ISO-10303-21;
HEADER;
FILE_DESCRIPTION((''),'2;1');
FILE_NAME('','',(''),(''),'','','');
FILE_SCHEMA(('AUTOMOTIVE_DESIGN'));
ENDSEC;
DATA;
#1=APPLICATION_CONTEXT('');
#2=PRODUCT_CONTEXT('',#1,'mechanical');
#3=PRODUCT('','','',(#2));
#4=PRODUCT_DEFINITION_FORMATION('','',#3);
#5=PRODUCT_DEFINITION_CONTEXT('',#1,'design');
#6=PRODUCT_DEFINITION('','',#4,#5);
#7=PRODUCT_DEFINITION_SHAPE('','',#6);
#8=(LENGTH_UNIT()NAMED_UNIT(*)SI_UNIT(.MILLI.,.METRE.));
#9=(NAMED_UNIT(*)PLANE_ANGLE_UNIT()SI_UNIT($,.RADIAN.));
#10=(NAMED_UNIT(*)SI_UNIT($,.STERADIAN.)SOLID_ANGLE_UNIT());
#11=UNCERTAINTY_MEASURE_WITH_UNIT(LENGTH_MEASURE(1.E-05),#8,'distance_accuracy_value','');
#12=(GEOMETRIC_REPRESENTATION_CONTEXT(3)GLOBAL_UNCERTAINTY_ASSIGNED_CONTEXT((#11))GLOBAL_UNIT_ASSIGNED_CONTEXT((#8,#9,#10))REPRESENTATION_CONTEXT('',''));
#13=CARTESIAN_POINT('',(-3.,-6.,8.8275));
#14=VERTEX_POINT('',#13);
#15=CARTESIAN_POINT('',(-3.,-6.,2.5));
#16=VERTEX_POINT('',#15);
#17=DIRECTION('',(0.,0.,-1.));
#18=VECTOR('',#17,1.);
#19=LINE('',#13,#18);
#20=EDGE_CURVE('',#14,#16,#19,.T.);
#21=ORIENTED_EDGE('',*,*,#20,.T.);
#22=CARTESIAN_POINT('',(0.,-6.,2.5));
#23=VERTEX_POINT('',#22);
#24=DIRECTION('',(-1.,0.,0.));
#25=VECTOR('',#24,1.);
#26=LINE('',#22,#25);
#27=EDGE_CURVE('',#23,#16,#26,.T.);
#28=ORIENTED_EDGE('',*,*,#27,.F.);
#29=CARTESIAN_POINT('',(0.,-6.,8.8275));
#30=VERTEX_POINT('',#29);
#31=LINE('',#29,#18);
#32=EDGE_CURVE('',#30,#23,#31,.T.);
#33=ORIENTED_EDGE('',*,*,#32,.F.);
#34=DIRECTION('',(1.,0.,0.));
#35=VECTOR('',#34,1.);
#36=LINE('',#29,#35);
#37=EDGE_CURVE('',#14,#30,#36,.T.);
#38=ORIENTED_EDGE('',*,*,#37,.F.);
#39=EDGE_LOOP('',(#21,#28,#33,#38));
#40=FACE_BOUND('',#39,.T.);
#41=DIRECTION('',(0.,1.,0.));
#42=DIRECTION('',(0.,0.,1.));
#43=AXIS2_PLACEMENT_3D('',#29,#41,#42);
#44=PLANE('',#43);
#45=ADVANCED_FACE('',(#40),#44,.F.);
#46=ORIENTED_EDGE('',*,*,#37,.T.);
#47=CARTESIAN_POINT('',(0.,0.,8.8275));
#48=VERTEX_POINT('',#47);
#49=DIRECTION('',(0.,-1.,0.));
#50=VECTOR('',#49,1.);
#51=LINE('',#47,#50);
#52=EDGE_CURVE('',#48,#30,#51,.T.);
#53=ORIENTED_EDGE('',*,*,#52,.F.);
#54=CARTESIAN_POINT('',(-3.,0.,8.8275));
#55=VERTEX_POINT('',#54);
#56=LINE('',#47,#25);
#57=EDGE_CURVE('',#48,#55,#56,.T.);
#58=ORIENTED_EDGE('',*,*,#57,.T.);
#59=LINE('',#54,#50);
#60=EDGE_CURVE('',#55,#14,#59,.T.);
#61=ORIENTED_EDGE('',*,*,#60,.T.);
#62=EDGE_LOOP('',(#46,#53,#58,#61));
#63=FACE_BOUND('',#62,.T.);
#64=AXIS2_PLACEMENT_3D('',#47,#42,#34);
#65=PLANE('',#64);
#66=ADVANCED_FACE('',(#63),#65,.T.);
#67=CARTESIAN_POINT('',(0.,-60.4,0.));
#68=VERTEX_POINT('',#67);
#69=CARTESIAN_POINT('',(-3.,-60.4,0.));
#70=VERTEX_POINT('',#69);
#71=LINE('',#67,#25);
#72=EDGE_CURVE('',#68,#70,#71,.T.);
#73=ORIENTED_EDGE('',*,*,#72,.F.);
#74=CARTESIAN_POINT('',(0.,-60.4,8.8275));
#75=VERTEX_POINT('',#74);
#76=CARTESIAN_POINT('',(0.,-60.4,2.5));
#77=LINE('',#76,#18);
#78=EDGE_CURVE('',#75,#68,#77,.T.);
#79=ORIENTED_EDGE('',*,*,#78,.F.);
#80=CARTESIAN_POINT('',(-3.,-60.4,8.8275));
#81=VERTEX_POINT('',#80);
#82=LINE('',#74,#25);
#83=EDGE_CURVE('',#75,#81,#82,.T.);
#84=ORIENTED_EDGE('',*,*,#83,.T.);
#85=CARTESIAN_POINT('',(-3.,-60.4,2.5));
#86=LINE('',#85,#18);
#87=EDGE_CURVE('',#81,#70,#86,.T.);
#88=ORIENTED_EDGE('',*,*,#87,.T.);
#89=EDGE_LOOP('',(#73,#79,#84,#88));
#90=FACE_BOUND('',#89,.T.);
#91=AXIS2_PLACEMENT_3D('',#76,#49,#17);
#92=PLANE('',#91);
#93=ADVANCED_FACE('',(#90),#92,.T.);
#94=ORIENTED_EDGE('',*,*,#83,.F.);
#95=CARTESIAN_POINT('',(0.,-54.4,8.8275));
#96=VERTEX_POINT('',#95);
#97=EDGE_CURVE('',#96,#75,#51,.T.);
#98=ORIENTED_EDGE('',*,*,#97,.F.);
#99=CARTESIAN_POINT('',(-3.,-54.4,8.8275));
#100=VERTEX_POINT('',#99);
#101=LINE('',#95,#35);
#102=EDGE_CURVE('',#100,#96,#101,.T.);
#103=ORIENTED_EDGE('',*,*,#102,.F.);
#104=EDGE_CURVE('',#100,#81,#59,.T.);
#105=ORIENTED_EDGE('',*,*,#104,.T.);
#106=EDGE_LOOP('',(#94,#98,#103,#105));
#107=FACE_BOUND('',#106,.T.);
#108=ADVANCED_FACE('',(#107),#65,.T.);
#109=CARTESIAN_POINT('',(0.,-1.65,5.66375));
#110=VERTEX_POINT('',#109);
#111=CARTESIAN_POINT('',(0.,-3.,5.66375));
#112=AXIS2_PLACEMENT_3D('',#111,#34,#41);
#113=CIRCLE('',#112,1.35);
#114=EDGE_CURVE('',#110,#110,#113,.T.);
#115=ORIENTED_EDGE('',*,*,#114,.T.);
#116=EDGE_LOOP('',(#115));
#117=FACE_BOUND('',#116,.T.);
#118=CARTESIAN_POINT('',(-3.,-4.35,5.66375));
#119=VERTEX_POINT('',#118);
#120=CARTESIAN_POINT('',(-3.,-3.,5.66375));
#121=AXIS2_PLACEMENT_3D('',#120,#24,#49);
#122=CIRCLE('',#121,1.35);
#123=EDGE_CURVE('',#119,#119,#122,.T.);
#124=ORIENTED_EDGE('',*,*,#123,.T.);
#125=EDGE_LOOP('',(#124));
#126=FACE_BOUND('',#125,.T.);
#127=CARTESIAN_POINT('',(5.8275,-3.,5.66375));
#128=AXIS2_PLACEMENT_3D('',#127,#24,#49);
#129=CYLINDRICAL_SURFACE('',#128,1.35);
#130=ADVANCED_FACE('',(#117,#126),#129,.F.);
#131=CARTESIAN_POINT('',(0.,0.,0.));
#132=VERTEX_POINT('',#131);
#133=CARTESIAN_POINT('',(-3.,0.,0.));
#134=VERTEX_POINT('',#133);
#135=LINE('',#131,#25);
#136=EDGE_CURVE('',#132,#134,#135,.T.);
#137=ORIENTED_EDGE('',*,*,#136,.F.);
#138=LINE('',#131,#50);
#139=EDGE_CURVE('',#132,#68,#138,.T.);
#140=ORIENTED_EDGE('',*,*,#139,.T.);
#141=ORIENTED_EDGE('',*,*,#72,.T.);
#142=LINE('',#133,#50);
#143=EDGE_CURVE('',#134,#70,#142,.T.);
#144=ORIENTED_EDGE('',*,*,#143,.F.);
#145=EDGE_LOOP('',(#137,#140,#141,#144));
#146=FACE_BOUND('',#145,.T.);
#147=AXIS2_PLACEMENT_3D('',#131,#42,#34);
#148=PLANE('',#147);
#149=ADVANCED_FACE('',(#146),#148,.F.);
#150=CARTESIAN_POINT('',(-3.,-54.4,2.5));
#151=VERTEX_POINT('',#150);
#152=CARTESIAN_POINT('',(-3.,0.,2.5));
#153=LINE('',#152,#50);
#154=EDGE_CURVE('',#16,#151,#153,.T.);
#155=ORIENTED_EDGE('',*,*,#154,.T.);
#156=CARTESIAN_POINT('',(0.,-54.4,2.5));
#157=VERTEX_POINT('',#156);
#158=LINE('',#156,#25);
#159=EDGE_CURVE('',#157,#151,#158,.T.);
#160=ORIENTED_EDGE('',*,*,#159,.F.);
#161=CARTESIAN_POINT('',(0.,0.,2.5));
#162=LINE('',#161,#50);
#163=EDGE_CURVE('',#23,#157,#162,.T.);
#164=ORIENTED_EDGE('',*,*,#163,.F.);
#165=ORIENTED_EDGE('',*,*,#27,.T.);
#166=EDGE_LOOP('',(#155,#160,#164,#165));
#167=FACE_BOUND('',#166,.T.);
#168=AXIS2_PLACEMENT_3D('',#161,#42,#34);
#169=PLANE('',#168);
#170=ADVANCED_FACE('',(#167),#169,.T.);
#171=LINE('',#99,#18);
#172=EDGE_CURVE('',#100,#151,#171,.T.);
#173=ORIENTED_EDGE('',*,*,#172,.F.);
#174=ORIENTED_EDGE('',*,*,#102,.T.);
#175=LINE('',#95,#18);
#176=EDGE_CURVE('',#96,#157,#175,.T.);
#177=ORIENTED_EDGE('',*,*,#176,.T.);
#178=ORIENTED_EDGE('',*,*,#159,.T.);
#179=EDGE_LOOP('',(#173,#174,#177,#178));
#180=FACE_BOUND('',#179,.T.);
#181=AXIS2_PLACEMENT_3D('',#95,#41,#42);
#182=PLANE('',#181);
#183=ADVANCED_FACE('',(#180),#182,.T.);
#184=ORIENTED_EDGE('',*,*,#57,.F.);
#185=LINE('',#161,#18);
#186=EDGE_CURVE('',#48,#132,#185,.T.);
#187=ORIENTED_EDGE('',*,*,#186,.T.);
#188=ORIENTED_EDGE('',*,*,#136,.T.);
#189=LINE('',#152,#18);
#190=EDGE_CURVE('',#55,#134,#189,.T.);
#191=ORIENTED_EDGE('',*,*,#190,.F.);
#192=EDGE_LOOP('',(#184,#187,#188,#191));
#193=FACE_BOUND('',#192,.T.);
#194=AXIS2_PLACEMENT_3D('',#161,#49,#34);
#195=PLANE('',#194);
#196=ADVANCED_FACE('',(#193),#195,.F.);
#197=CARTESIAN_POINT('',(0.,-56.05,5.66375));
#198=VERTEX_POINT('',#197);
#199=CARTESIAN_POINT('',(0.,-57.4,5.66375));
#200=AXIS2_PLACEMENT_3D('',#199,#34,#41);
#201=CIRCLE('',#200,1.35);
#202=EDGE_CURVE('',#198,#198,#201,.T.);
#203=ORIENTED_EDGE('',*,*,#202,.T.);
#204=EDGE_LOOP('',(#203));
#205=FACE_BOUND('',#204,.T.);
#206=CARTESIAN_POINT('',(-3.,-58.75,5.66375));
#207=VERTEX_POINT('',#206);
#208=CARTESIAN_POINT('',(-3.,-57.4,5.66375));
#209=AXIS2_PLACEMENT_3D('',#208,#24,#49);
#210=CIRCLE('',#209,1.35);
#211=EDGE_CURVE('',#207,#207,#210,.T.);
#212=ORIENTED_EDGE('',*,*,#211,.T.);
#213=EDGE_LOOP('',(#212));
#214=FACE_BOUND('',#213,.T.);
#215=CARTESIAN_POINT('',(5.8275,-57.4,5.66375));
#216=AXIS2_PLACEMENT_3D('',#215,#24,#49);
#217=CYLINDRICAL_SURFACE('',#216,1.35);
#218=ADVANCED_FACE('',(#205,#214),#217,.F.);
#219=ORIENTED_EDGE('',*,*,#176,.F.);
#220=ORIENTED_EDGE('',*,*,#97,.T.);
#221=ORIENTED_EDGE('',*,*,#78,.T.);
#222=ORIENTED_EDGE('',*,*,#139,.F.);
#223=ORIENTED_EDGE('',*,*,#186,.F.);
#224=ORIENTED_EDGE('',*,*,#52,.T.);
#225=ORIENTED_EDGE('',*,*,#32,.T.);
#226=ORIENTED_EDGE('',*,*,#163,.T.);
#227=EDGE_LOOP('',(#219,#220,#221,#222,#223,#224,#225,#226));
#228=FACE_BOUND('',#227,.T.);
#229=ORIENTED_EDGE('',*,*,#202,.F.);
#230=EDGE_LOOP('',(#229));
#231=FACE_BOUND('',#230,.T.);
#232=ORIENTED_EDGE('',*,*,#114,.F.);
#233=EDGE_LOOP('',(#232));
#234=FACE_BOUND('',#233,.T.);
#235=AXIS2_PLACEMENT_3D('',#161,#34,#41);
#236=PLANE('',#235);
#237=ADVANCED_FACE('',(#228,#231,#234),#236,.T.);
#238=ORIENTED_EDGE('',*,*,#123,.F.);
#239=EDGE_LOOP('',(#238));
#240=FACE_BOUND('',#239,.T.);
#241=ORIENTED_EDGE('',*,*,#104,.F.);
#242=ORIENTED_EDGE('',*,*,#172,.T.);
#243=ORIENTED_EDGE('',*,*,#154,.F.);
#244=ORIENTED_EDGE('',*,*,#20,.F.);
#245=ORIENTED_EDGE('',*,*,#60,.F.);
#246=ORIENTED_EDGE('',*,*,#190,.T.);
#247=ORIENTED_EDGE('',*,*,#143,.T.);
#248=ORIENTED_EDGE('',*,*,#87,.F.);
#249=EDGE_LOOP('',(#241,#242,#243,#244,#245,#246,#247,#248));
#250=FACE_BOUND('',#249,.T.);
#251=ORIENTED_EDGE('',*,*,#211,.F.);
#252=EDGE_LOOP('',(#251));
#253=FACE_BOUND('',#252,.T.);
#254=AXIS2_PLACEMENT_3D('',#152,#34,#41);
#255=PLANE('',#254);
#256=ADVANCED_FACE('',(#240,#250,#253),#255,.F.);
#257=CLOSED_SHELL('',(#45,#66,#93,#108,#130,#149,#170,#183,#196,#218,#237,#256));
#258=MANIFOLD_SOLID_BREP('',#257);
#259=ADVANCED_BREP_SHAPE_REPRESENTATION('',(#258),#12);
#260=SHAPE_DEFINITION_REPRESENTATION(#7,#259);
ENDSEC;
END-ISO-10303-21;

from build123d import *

# Parameters (mm, degrees)
SKICA2_W                 = 3
SKICA2_H                 = 60.4
P_IDAT_VYSUNUT_M1_DEPTH  = 2.5
SKICA2_3_W               = 3
SKICA2_3_H               = 6
P_IDAT_VYSUNUT_M2_DEPTH  = 8.8275
SKICA3_R                 = 1.35
ODEBRAT_VYSUNUT_M1_DEPTH = 8.8275


with BuildPart() as part:
    # Skica2 → P_idat vysunut_m1 (new body)
    with BuildSketch(Plane.XY):
        with Locations((-1.5, -30.2)):
            Rectangle(SKICA2_W, SKICA2_H)
    extrude(amount=P_IDAT_VYSUNUT_M1_DEPTH)

    # Skica2_3 → P_idat vysunut_m2 (add)
    with BuildSketch(Plane.XY):
        with Locations((-1.5, -3)):
            Rectangle(SKICA2_3_W, SKICA2_3_H)
        with Locations((-1.5, -57.4)):
            Rectangle(SKICA2_3_W, SKICA2_3_H)
    extrude(amount=P_IDAT_VYSUNUT_M2_DEPTH)

    # Skica3 → Odebrat vysunut_m1 (cut)
    with BuildSketch(Plane.ZY.offset(3)):
        with Locations((5.66375, -3)):
            Circle(SKICA3_R)
        with Locations((5.66375, -57.4)):
            Circle(SKICA3_R)
    extrude(amount=-ODEBRAT_VYSUNUT_M1_DEPTH, mode=Mode.SUBTRACT)


solid = part.part
